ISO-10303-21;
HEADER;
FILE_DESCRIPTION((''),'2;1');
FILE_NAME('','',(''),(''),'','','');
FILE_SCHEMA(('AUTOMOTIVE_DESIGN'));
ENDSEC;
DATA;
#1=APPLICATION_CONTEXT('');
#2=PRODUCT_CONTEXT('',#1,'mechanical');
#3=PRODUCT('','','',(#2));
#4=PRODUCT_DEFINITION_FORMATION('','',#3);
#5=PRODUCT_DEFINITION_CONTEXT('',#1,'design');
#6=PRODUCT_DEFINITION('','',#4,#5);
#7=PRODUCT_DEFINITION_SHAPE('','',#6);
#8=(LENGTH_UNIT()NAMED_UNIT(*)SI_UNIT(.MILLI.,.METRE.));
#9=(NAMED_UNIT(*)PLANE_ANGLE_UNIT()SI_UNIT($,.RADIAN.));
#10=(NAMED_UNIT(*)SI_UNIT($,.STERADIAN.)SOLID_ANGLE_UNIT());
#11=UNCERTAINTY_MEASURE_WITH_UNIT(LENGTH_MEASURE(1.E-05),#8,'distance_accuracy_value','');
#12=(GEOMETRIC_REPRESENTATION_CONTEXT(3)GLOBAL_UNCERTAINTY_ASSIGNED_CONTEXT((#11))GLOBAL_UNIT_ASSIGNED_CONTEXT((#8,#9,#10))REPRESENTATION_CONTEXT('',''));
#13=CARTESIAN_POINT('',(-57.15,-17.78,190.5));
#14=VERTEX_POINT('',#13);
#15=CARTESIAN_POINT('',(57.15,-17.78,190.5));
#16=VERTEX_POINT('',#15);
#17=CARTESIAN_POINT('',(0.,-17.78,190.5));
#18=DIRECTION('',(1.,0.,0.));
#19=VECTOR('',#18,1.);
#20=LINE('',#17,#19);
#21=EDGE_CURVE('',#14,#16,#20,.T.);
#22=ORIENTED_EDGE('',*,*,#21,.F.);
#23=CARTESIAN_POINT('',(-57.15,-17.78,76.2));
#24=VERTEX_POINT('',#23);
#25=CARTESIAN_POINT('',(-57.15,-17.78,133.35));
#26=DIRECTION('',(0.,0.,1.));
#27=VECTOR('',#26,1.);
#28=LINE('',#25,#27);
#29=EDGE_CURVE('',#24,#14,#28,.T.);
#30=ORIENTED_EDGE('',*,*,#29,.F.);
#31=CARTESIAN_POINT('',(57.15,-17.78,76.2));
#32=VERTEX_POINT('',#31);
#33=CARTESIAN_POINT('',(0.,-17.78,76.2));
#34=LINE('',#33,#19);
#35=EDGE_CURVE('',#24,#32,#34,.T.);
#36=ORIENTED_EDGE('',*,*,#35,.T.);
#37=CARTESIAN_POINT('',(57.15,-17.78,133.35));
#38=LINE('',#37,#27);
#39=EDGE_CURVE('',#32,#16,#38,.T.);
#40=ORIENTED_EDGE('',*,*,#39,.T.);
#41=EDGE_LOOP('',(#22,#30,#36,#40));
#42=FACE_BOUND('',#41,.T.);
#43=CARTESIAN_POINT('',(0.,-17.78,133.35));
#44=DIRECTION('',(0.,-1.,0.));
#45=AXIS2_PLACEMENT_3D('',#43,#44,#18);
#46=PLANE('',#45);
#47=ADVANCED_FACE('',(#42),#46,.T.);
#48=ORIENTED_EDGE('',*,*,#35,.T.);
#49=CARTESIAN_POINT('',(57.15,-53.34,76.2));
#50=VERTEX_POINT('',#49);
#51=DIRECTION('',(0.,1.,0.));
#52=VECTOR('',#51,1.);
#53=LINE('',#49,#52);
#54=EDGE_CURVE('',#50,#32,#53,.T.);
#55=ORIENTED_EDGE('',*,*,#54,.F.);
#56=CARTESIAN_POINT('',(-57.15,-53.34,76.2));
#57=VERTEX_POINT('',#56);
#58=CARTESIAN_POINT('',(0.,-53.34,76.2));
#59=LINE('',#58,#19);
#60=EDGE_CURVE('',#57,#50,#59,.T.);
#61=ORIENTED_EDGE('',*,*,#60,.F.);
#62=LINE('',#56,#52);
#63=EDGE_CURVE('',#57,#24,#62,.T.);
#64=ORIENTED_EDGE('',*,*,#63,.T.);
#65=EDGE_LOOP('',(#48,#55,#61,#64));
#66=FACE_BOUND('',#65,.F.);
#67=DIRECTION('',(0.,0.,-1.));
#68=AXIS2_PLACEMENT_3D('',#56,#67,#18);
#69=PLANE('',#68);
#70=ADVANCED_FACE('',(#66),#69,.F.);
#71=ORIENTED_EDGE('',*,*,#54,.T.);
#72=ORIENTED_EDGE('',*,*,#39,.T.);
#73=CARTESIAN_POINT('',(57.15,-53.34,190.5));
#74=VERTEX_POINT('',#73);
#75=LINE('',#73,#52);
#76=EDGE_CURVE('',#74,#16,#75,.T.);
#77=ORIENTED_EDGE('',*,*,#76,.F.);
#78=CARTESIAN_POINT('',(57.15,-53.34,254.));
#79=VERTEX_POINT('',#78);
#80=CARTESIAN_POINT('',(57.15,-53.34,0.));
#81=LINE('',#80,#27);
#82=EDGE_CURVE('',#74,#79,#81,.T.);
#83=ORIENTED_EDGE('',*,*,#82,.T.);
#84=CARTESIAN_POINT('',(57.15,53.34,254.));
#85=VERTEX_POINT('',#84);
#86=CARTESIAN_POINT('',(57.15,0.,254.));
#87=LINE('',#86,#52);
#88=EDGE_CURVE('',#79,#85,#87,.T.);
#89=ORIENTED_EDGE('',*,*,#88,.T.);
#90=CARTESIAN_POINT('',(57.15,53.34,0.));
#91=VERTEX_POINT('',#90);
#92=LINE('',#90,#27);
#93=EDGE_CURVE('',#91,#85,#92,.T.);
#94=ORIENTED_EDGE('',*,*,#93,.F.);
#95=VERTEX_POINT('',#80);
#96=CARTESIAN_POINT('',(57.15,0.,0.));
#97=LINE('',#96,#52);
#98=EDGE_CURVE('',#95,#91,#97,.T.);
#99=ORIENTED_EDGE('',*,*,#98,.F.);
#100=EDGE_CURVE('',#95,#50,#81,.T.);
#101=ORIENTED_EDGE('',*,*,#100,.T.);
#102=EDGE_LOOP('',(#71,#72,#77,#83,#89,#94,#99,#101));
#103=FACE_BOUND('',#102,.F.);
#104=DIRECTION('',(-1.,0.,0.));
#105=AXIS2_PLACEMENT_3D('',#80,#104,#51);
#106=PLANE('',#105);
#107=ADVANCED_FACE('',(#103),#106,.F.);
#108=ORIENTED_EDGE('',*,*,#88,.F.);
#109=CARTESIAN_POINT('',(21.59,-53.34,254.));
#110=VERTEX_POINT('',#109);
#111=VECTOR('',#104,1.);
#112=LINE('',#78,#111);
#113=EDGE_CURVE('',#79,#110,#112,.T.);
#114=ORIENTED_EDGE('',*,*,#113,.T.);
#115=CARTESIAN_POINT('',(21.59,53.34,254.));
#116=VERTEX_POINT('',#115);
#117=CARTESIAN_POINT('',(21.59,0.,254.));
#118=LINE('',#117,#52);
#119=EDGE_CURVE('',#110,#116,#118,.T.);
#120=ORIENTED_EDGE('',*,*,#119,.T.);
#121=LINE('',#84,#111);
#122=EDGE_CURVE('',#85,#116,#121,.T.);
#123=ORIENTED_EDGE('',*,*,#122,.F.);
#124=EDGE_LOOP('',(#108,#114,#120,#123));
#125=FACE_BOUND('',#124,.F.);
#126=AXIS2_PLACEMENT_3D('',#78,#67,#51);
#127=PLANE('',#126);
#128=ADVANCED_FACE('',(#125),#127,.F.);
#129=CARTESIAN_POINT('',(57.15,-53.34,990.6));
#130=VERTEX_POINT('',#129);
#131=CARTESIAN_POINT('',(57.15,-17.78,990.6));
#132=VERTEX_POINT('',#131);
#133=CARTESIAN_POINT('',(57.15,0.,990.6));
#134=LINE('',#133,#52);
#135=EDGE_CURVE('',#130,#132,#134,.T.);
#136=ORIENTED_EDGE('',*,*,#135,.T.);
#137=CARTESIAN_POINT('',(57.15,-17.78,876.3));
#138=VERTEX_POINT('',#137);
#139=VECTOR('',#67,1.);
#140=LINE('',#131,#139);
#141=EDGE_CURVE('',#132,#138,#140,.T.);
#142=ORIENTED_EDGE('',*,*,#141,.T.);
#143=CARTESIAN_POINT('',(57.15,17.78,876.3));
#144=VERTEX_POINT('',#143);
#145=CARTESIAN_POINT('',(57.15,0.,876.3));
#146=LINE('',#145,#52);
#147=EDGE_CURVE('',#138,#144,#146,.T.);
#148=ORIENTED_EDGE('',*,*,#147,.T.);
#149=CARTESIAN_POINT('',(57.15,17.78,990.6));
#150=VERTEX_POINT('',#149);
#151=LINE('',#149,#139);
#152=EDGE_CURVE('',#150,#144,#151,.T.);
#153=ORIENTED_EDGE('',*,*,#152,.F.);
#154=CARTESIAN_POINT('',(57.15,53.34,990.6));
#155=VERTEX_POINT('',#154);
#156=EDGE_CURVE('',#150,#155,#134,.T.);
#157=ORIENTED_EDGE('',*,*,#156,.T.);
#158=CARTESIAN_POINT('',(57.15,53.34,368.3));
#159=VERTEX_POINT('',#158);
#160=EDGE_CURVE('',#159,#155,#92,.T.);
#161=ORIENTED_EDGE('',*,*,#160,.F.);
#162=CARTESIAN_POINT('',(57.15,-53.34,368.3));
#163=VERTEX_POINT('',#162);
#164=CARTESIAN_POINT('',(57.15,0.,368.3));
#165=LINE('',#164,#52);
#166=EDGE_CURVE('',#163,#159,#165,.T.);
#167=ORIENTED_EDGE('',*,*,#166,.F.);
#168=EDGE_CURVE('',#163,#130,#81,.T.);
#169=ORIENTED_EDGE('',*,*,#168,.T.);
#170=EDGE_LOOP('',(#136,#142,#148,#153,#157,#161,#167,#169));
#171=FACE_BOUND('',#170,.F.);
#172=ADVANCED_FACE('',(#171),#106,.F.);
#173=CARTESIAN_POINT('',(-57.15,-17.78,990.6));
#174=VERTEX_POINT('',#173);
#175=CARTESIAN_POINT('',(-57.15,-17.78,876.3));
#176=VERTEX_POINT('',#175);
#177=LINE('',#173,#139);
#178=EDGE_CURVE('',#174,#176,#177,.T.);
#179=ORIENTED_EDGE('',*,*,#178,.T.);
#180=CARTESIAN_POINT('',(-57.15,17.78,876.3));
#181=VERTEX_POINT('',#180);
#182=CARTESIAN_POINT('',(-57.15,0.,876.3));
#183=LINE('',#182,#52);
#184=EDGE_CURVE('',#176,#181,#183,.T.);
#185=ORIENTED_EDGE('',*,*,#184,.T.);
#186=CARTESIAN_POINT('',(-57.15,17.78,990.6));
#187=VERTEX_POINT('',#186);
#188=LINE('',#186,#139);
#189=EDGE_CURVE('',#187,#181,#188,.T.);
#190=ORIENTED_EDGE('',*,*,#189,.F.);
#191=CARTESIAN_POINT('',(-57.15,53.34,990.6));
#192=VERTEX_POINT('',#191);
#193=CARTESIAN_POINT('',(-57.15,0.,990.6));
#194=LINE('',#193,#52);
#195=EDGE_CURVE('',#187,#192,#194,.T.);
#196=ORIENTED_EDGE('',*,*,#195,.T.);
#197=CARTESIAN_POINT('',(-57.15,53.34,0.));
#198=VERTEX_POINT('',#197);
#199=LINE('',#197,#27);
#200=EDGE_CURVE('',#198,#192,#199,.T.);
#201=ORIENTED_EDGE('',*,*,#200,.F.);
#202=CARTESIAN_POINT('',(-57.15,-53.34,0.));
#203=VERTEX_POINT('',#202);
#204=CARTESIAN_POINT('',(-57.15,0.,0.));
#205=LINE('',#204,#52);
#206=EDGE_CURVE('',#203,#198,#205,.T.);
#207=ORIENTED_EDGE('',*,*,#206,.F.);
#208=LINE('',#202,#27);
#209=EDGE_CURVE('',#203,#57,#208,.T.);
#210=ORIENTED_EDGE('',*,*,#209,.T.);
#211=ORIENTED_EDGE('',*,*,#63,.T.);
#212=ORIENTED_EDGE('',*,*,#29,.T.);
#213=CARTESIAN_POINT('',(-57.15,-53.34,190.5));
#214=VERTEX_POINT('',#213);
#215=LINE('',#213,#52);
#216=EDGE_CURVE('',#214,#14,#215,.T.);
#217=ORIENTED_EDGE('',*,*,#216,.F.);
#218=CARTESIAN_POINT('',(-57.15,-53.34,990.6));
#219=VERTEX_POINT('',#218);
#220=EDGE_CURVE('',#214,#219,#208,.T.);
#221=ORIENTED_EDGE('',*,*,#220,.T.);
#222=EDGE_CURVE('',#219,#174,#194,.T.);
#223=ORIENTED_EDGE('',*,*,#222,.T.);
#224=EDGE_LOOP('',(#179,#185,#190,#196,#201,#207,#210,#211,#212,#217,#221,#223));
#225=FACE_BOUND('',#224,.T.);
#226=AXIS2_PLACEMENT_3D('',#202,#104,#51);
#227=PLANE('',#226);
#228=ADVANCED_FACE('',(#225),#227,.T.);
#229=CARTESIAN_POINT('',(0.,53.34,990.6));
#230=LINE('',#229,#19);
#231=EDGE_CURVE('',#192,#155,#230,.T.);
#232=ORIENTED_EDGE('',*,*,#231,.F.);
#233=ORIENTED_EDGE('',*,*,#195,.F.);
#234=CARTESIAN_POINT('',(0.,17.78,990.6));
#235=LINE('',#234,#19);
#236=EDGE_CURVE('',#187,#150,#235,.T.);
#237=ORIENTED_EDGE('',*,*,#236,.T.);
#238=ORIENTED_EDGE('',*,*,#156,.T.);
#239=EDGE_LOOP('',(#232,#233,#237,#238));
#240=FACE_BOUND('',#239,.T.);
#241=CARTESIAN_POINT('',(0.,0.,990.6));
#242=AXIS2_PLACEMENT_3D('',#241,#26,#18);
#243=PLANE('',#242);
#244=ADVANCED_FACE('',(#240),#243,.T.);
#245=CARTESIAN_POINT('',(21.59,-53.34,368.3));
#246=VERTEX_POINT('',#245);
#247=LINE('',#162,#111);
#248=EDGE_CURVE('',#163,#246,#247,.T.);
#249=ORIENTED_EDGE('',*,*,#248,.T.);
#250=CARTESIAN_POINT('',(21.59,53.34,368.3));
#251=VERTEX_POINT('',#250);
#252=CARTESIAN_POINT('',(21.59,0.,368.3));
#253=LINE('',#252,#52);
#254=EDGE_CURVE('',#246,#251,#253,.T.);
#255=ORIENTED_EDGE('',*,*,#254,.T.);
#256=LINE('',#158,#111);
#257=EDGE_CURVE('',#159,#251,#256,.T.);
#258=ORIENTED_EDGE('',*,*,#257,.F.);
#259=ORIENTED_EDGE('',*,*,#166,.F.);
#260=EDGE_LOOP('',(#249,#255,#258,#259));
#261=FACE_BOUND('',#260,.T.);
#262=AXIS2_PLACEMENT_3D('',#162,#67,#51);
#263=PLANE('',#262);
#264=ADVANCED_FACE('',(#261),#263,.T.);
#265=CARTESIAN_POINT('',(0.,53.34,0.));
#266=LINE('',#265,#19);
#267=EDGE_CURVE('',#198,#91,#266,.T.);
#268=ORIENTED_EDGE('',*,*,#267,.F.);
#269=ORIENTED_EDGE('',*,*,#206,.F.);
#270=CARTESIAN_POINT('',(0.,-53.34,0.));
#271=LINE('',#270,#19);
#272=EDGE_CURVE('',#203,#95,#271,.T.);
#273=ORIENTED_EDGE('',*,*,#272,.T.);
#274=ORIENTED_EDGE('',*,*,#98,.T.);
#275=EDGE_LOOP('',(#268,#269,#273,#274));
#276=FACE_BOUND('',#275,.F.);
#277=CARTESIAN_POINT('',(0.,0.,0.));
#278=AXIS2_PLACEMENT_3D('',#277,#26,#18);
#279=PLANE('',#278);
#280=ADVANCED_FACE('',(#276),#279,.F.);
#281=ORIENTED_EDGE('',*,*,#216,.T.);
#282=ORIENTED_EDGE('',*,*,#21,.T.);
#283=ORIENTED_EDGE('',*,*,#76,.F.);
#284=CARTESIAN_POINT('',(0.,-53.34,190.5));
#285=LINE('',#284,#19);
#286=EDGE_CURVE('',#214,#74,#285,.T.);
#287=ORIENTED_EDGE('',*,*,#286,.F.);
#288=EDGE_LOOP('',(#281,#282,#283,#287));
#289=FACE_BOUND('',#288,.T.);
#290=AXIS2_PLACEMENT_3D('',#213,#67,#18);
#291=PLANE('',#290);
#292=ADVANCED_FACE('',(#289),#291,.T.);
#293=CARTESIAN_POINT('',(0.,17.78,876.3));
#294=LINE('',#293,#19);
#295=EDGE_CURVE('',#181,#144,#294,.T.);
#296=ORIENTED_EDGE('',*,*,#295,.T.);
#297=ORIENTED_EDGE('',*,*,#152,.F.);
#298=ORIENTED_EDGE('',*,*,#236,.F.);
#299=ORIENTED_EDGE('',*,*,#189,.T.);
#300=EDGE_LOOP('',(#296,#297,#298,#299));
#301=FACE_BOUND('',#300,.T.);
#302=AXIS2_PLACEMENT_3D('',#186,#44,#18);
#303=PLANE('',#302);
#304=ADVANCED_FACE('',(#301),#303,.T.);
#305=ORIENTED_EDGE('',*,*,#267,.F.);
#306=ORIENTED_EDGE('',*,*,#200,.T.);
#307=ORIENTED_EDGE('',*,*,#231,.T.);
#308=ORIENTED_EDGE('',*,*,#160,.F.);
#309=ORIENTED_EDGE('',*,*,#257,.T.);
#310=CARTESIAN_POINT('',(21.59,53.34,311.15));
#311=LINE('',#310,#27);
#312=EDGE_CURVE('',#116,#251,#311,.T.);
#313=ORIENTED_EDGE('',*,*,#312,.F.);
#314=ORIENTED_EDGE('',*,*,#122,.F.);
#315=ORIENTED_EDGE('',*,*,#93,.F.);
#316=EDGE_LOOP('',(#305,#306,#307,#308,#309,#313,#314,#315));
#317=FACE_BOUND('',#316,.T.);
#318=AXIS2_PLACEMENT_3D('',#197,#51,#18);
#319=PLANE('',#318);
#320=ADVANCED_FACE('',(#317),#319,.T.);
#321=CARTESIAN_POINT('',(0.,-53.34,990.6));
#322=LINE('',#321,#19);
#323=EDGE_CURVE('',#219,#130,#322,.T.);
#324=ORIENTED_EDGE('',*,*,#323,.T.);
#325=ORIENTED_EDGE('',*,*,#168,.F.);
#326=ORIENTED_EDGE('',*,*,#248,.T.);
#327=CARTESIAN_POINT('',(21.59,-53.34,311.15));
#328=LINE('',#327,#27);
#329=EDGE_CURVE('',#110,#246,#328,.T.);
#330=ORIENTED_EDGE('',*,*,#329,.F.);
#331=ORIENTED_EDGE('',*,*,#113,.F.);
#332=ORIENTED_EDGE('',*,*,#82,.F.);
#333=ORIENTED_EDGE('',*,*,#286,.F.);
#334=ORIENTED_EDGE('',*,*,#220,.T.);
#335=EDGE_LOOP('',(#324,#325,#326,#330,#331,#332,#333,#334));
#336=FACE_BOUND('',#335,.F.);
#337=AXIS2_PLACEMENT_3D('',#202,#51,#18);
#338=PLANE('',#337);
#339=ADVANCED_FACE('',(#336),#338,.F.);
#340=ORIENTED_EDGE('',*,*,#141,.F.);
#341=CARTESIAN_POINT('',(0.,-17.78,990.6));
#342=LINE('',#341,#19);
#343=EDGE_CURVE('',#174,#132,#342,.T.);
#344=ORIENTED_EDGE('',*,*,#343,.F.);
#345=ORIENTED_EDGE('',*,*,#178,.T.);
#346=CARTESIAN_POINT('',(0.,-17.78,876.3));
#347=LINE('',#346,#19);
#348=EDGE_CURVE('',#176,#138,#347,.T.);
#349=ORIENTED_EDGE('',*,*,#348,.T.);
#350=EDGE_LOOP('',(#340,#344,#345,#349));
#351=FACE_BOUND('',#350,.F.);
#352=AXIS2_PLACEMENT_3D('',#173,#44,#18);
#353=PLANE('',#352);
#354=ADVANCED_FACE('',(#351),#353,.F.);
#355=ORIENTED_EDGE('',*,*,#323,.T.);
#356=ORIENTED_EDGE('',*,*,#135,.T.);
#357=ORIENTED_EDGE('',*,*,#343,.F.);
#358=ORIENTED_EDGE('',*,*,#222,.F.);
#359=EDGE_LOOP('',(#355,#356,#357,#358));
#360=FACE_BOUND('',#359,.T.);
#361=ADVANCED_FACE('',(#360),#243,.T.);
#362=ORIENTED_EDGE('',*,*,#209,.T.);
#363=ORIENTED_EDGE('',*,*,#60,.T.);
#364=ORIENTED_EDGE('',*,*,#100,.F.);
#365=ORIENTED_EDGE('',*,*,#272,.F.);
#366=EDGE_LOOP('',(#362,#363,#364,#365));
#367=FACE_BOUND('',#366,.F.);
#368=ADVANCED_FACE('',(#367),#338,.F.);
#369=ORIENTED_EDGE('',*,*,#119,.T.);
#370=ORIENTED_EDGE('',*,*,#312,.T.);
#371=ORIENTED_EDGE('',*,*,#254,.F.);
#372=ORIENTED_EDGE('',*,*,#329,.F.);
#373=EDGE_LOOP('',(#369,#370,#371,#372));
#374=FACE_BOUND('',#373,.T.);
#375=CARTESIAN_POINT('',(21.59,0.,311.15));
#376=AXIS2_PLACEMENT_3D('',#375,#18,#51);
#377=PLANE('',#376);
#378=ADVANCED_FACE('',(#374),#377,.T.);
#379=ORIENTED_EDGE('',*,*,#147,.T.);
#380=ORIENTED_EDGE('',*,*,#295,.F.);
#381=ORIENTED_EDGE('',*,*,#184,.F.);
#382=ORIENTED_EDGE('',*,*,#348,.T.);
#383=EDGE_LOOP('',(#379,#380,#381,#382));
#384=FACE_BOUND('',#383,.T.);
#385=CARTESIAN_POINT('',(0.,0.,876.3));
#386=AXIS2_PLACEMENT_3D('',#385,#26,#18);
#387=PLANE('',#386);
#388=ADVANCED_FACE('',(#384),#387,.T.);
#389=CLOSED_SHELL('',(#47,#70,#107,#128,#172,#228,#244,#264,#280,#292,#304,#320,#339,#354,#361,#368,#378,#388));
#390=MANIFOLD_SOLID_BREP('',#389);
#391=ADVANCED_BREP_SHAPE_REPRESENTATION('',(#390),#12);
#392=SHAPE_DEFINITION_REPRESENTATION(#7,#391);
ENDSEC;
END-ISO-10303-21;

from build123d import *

# Parameters (mm, degrees)
F0_W     = 114.3
F0_H     = 106.68
F1_DEPTH = 990.6
F2_W     = 114.3
F2_H     = 35.56
F3_DEPTH = 114.3
F4_W     = 114.3
F4_H     = 114.3
F5_DEPTH = 35.56
F6_W     = 106.68
F6_H     = 114.3
F7_DEPTH = 35.56


with BuildPart() as f1:
    # F0 (on Top) → F1 (new body)
    with BuildSketch(Plane.XY):
        Rectangle(F0_W, F0_H)
    extrude(amount=F1_DEPTH)

    # F2 (on face) → F3 (cut)
    with BuildSketch(Plane.XY.offset(990.6)):
        Rectangle(F2_W, F2_H)
    extrude(amount=-F3_DEPTH, mode=Mode.SUBTRACT)

    # F4 (on face) → F5 (cut)
    with BuildSketch(Plane.XZ.offset(53.34)):
        with Locations((0, 133.35)):
            Rectangle(F4_W, F4_H)
    extrude(amount=-F5_DEPTH, mode=Mode.SUBTRACT)

    # F6 (on face) → F7 (cut)
    with BuildSketch(Plane.YZ.offset(57.15)):
        with Locations((0, 311.15)):
            Rectangle(F6_W, F6_H)
    extrude(amount=-F7_DEPTH, mode=Mode.SUBTRACT)


solid = f1.part
